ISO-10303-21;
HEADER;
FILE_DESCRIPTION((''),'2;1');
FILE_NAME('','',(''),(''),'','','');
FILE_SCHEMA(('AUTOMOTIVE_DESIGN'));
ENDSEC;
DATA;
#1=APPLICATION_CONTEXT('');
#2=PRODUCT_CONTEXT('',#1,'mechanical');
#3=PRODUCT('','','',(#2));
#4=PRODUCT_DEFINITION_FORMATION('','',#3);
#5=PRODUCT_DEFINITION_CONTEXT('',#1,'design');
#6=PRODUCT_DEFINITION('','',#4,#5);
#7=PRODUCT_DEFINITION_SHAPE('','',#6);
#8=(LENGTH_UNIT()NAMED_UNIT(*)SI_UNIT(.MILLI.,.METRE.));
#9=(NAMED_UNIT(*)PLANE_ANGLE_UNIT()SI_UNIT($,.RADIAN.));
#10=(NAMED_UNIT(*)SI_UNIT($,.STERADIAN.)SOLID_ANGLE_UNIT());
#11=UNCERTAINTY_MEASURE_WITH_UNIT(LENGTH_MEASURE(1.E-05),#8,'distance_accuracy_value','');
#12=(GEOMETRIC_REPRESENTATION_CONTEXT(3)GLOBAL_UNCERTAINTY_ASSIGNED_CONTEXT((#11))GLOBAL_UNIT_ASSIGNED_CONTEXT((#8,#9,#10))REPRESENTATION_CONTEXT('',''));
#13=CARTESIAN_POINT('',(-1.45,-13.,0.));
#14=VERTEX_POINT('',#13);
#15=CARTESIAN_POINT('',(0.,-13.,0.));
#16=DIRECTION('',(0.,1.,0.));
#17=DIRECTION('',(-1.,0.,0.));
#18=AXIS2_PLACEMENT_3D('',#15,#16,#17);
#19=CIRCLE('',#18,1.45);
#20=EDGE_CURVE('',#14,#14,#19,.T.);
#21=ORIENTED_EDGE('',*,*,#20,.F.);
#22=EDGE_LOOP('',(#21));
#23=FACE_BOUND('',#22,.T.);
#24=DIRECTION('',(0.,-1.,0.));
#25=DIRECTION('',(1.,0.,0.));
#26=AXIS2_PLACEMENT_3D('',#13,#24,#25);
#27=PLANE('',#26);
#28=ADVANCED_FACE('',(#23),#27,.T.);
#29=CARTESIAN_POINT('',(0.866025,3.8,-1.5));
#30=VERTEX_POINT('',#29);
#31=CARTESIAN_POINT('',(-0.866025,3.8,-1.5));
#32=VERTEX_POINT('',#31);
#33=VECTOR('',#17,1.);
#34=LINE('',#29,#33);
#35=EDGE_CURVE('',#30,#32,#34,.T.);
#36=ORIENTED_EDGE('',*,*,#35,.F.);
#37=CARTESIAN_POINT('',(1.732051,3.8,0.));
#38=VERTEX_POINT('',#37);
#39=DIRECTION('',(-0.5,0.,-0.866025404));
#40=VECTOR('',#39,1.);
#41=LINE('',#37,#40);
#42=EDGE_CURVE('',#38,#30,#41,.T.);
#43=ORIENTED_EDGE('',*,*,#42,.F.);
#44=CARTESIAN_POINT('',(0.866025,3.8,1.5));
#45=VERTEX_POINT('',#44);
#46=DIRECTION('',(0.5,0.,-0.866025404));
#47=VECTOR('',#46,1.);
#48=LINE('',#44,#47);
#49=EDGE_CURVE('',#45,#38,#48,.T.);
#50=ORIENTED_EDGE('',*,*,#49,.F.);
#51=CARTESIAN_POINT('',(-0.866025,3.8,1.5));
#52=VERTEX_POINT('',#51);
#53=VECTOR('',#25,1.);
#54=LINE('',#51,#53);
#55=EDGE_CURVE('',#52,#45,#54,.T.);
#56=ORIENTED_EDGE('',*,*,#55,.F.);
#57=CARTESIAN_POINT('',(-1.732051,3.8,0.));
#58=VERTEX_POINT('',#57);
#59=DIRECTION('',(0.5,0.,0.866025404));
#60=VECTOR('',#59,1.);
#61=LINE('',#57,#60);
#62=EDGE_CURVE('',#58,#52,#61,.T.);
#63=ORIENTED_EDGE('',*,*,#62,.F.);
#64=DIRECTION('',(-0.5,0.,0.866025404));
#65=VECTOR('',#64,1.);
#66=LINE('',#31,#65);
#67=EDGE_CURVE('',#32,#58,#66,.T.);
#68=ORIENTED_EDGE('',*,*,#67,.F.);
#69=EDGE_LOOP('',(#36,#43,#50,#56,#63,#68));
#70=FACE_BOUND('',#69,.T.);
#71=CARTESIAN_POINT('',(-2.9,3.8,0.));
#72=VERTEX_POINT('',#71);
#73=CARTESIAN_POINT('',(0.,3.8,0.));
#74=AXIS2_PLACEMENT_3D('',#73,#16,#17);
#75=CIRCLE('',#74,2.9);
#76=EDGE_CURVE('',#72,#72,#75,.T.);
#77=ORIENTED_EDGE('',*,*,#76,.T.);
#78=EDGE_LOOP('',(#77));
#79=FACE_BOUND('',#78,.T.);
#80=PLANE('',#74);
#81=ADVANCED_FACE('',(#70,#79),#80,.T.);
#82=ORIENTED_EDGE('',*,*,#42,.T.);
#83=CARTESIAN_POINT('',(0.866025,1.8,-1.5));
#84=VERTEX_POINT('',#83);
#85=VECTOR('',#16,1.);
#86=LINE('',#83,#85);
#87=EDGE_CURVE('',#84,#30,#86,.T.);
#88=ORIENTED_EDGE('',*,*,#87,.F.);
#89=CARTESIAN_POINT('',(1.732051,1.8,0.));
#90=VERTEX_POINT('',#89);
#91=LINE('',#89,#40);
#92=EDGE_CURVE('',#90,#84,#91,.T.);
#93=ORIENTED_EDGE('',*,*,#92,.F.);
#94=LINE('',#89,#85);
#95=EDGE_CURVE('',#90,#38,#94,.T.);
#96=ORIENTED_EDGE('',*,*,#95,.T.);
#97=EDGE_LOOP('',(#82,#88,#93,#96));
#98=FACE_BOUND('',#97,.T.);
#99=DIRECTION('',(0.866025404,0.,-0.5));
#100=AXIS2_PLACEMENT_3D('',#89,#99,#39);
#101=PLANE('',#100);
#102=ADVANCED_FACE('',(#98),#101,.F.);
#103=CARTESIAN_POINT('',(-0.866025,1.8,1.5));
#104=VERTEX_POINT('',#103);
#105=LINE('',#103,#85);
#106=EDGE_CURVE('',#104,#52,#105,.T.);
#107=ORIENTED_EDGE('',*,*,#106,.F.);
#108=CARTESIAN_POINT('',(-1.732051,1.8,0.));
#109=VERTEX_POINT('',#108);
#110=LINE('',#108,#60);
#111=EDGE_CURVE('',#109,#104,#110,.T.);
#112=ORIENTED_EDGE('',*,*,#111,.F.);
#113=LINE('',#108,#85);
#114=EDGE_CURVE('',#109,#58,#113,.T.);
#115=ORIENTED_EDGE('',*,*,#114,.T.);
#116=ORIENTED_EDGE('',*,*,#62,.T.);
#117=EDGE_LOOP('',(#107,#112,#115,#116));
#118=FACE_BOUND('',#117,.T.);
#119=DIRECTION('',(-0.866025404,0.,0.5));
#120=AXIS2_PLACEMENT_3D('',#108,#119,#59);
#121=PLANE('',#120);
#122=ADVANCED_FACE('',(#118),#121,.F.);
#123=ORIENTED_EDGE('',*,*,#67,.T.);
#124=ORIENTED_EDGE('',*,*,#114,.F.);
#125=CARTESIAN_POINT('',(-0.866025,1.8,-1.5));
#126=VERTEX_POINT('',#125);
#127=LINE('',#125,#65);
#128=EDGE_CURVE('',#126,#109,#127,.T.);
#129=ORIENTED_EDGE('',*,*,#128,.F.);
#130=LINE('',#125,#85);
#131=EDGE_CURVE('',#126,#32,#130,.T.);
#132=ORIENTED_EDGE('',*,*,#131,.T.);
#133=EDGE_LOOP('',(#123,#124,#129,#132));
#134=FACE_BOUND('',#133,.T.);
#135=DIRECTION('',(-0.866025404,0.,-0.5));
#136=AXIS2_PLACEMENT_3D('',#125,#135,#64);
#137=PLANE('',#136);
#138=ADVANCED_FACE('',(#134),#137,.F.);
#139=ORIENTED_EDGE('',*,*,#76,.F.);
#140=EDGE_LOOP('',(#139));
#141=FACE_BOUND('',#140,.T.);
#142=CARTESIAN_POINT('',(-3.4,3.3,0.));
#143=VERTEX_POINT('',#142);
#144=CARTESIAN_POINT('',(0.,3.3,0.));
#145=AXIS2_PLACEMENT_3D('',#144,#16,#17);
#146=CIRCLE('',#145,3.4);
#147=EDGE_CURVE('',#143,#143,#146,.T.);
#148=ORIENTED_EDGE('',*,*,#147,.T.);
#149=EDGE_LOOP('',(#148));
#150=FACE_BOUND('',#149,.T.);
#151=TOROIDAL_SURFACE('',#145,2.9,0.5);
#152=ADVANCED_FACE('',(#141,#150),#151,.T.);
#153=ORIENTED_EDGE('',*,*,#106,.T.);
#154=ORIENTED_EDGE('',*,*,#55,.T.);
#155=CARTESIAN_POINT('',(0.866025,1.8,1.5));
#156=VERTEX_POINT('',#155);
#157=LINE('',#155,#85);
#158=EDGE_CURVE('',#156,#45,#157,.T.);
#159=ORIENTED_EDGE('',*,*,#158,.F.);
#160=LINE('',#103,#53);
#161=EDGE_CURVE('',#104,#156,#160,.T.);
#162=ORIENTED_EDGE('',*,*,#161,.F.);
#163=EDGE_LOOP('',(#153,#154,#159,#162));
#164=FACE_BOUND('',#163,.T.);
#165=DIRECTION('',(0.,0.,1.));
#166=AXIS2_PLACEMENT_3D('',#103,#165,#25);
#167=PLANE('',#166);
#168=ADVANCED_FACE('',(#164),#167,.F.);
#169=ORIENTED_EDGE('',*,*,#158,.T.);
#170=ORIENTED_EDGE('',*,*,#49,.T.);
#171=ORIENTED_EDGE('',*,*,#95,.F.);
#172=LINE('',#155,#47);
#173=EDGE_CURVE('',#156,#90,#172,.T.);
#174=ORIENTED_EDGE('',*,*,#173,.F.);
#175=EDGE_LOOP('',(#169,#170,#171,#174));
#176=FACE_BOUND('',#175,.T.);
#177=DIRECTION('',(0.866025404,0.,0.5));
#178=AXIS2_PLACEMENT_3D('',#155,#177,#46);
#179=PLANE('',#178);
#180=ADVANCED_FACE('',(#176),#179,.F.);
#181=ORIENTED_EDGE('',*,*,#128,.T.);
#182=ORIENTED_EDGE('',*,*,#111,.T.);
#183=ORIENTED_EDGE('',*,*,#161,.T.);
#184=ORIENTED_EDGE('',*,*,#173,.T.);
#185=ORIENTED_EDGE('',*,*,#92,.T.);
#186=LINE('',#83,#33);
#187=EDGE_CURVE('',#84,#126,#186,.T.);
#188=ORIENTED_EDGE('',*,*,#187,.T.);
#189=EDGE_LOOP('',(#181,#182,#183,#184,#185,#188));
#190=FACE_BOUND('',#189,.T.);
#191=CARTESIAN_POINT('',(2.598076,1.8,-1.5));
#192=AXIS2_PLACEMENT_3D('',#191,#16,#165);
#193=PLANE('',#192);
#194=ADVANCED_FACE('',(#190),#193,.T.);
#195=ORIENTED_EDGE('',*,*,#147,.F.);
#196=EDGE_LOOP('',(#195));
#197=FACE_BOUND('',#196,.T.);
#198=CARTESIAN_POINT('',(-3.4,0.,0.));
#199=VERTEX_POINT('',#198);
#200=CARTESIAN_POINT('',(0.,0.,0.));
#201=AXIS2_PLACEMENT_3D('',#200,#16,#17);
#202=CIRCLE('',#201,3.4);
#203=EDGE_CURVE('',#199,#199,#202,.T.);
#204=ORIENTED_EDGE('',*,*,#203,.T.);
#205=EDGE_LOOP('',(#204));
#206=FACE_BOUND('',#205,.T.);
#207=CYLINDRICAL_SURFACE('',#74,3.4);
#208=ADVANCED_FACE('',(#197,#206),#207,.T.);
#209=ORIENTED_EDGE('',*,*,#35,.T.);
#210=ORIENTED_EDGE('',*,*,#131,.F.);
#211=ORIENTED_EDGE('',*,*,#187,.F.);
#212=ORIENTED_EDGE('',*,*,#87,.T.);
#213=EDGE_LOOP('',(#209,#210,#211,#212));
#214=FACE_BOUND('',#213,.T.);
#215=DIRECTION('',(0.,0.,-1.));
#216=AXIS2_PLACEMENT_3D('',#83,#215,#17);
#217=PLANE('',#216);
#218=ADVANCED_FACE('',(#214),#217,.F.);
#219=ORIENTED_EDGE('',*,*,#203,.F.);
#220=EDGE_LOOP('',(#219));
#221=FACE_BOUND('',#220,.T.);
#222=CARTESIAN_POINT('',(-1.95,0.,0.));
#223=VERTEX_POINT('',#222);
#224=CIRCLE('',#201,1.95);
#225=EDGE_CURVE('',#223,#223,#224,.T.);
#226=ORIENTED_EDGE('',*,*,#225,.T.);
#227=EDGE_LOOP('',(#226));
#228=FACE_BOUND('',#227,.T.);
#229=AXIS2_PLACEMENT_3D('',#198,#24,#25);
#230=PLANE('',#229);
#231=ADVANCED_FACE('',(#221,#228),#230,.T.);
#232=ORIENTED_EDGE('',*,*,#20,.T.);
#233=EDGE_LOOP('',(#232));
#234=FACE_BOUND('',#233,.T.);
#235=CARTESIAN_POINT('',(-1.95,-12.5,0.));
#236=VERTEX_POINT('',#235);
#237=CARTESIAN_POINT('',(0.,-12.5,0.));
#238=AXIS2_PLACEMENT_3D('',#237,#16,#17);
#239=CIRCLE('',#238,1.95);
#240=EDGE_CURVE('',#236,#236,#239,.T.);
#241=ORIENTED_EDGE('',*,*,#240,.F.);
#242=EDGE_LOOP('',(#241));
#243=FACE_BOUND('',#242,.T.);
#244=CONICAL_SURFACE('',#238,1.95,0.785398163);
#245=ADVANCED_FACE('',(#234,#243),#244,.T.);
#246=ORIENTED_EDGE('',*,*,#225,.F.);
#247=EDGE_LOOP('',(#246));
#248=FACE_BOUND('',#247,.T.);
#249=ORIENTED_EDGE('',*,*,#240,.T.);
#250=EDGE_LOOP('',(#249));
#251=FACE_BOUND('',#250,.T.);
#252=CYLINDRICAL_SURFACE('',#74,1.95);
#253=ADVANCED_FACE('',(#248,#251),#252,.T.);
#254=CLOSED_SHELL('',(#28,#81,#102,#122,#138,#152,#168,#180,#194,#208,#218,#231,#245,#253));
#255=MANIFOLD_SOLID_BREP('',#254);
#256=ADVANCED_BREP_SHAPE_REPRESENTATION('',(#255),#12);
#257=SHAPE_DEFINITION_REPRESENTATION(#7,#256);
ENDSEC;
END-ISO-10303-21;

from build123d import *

# Parameters (mm, degrees)
ENL_V_MAT_EXTRU_1_DEPTH = 2


with BuildPart() as part:
    # Esquisse1 → Révolution1 (revolve)
    with BuildSketch(Plane.XY):
        with BuildLine():
            Line((0, 3.8), (-2.9, 3.8))
            ThreePointArc((-2.9, 3.8), (-3.253553391, 3.653553391), (-3.4, 3.3))
            Line((-3.4, 3.3), (-3.4, 0))
            Line((-3.4, 0), (-1.95, 0))
            Line((-1.95, 0), (-1.95, -12.5))
            Line((-1.95, -12.5), (-1.45, -13))
            Line((-1.45, -13), (0, -13))
            Line((0, -13), (0, 3.8))
        make_face()
    revolve(axis=Axis((0, 3.8, 0), (0, -1, 0)))

    # Esquisse2 → Enlèv. mat.-Extru.1 (cut)
    with BuildSketch(Plane(origin=(0, 3.8, 0), x_dir=(-1, 0, 0), z_dir=(0, 1, 0))):
        Polygon((-1.732050808, 0), (-0.866025404, -1.5), (0.866025404, -1.5), (1.732050808, 0), (0.866025404, 1.5), (-0.866025404, 1.5), align=None)
    extrude(amount=-ENL_V_MAT_EXTRU_1_DEPTH, mode=Mode.SUBTRACT)


solid = part.part
